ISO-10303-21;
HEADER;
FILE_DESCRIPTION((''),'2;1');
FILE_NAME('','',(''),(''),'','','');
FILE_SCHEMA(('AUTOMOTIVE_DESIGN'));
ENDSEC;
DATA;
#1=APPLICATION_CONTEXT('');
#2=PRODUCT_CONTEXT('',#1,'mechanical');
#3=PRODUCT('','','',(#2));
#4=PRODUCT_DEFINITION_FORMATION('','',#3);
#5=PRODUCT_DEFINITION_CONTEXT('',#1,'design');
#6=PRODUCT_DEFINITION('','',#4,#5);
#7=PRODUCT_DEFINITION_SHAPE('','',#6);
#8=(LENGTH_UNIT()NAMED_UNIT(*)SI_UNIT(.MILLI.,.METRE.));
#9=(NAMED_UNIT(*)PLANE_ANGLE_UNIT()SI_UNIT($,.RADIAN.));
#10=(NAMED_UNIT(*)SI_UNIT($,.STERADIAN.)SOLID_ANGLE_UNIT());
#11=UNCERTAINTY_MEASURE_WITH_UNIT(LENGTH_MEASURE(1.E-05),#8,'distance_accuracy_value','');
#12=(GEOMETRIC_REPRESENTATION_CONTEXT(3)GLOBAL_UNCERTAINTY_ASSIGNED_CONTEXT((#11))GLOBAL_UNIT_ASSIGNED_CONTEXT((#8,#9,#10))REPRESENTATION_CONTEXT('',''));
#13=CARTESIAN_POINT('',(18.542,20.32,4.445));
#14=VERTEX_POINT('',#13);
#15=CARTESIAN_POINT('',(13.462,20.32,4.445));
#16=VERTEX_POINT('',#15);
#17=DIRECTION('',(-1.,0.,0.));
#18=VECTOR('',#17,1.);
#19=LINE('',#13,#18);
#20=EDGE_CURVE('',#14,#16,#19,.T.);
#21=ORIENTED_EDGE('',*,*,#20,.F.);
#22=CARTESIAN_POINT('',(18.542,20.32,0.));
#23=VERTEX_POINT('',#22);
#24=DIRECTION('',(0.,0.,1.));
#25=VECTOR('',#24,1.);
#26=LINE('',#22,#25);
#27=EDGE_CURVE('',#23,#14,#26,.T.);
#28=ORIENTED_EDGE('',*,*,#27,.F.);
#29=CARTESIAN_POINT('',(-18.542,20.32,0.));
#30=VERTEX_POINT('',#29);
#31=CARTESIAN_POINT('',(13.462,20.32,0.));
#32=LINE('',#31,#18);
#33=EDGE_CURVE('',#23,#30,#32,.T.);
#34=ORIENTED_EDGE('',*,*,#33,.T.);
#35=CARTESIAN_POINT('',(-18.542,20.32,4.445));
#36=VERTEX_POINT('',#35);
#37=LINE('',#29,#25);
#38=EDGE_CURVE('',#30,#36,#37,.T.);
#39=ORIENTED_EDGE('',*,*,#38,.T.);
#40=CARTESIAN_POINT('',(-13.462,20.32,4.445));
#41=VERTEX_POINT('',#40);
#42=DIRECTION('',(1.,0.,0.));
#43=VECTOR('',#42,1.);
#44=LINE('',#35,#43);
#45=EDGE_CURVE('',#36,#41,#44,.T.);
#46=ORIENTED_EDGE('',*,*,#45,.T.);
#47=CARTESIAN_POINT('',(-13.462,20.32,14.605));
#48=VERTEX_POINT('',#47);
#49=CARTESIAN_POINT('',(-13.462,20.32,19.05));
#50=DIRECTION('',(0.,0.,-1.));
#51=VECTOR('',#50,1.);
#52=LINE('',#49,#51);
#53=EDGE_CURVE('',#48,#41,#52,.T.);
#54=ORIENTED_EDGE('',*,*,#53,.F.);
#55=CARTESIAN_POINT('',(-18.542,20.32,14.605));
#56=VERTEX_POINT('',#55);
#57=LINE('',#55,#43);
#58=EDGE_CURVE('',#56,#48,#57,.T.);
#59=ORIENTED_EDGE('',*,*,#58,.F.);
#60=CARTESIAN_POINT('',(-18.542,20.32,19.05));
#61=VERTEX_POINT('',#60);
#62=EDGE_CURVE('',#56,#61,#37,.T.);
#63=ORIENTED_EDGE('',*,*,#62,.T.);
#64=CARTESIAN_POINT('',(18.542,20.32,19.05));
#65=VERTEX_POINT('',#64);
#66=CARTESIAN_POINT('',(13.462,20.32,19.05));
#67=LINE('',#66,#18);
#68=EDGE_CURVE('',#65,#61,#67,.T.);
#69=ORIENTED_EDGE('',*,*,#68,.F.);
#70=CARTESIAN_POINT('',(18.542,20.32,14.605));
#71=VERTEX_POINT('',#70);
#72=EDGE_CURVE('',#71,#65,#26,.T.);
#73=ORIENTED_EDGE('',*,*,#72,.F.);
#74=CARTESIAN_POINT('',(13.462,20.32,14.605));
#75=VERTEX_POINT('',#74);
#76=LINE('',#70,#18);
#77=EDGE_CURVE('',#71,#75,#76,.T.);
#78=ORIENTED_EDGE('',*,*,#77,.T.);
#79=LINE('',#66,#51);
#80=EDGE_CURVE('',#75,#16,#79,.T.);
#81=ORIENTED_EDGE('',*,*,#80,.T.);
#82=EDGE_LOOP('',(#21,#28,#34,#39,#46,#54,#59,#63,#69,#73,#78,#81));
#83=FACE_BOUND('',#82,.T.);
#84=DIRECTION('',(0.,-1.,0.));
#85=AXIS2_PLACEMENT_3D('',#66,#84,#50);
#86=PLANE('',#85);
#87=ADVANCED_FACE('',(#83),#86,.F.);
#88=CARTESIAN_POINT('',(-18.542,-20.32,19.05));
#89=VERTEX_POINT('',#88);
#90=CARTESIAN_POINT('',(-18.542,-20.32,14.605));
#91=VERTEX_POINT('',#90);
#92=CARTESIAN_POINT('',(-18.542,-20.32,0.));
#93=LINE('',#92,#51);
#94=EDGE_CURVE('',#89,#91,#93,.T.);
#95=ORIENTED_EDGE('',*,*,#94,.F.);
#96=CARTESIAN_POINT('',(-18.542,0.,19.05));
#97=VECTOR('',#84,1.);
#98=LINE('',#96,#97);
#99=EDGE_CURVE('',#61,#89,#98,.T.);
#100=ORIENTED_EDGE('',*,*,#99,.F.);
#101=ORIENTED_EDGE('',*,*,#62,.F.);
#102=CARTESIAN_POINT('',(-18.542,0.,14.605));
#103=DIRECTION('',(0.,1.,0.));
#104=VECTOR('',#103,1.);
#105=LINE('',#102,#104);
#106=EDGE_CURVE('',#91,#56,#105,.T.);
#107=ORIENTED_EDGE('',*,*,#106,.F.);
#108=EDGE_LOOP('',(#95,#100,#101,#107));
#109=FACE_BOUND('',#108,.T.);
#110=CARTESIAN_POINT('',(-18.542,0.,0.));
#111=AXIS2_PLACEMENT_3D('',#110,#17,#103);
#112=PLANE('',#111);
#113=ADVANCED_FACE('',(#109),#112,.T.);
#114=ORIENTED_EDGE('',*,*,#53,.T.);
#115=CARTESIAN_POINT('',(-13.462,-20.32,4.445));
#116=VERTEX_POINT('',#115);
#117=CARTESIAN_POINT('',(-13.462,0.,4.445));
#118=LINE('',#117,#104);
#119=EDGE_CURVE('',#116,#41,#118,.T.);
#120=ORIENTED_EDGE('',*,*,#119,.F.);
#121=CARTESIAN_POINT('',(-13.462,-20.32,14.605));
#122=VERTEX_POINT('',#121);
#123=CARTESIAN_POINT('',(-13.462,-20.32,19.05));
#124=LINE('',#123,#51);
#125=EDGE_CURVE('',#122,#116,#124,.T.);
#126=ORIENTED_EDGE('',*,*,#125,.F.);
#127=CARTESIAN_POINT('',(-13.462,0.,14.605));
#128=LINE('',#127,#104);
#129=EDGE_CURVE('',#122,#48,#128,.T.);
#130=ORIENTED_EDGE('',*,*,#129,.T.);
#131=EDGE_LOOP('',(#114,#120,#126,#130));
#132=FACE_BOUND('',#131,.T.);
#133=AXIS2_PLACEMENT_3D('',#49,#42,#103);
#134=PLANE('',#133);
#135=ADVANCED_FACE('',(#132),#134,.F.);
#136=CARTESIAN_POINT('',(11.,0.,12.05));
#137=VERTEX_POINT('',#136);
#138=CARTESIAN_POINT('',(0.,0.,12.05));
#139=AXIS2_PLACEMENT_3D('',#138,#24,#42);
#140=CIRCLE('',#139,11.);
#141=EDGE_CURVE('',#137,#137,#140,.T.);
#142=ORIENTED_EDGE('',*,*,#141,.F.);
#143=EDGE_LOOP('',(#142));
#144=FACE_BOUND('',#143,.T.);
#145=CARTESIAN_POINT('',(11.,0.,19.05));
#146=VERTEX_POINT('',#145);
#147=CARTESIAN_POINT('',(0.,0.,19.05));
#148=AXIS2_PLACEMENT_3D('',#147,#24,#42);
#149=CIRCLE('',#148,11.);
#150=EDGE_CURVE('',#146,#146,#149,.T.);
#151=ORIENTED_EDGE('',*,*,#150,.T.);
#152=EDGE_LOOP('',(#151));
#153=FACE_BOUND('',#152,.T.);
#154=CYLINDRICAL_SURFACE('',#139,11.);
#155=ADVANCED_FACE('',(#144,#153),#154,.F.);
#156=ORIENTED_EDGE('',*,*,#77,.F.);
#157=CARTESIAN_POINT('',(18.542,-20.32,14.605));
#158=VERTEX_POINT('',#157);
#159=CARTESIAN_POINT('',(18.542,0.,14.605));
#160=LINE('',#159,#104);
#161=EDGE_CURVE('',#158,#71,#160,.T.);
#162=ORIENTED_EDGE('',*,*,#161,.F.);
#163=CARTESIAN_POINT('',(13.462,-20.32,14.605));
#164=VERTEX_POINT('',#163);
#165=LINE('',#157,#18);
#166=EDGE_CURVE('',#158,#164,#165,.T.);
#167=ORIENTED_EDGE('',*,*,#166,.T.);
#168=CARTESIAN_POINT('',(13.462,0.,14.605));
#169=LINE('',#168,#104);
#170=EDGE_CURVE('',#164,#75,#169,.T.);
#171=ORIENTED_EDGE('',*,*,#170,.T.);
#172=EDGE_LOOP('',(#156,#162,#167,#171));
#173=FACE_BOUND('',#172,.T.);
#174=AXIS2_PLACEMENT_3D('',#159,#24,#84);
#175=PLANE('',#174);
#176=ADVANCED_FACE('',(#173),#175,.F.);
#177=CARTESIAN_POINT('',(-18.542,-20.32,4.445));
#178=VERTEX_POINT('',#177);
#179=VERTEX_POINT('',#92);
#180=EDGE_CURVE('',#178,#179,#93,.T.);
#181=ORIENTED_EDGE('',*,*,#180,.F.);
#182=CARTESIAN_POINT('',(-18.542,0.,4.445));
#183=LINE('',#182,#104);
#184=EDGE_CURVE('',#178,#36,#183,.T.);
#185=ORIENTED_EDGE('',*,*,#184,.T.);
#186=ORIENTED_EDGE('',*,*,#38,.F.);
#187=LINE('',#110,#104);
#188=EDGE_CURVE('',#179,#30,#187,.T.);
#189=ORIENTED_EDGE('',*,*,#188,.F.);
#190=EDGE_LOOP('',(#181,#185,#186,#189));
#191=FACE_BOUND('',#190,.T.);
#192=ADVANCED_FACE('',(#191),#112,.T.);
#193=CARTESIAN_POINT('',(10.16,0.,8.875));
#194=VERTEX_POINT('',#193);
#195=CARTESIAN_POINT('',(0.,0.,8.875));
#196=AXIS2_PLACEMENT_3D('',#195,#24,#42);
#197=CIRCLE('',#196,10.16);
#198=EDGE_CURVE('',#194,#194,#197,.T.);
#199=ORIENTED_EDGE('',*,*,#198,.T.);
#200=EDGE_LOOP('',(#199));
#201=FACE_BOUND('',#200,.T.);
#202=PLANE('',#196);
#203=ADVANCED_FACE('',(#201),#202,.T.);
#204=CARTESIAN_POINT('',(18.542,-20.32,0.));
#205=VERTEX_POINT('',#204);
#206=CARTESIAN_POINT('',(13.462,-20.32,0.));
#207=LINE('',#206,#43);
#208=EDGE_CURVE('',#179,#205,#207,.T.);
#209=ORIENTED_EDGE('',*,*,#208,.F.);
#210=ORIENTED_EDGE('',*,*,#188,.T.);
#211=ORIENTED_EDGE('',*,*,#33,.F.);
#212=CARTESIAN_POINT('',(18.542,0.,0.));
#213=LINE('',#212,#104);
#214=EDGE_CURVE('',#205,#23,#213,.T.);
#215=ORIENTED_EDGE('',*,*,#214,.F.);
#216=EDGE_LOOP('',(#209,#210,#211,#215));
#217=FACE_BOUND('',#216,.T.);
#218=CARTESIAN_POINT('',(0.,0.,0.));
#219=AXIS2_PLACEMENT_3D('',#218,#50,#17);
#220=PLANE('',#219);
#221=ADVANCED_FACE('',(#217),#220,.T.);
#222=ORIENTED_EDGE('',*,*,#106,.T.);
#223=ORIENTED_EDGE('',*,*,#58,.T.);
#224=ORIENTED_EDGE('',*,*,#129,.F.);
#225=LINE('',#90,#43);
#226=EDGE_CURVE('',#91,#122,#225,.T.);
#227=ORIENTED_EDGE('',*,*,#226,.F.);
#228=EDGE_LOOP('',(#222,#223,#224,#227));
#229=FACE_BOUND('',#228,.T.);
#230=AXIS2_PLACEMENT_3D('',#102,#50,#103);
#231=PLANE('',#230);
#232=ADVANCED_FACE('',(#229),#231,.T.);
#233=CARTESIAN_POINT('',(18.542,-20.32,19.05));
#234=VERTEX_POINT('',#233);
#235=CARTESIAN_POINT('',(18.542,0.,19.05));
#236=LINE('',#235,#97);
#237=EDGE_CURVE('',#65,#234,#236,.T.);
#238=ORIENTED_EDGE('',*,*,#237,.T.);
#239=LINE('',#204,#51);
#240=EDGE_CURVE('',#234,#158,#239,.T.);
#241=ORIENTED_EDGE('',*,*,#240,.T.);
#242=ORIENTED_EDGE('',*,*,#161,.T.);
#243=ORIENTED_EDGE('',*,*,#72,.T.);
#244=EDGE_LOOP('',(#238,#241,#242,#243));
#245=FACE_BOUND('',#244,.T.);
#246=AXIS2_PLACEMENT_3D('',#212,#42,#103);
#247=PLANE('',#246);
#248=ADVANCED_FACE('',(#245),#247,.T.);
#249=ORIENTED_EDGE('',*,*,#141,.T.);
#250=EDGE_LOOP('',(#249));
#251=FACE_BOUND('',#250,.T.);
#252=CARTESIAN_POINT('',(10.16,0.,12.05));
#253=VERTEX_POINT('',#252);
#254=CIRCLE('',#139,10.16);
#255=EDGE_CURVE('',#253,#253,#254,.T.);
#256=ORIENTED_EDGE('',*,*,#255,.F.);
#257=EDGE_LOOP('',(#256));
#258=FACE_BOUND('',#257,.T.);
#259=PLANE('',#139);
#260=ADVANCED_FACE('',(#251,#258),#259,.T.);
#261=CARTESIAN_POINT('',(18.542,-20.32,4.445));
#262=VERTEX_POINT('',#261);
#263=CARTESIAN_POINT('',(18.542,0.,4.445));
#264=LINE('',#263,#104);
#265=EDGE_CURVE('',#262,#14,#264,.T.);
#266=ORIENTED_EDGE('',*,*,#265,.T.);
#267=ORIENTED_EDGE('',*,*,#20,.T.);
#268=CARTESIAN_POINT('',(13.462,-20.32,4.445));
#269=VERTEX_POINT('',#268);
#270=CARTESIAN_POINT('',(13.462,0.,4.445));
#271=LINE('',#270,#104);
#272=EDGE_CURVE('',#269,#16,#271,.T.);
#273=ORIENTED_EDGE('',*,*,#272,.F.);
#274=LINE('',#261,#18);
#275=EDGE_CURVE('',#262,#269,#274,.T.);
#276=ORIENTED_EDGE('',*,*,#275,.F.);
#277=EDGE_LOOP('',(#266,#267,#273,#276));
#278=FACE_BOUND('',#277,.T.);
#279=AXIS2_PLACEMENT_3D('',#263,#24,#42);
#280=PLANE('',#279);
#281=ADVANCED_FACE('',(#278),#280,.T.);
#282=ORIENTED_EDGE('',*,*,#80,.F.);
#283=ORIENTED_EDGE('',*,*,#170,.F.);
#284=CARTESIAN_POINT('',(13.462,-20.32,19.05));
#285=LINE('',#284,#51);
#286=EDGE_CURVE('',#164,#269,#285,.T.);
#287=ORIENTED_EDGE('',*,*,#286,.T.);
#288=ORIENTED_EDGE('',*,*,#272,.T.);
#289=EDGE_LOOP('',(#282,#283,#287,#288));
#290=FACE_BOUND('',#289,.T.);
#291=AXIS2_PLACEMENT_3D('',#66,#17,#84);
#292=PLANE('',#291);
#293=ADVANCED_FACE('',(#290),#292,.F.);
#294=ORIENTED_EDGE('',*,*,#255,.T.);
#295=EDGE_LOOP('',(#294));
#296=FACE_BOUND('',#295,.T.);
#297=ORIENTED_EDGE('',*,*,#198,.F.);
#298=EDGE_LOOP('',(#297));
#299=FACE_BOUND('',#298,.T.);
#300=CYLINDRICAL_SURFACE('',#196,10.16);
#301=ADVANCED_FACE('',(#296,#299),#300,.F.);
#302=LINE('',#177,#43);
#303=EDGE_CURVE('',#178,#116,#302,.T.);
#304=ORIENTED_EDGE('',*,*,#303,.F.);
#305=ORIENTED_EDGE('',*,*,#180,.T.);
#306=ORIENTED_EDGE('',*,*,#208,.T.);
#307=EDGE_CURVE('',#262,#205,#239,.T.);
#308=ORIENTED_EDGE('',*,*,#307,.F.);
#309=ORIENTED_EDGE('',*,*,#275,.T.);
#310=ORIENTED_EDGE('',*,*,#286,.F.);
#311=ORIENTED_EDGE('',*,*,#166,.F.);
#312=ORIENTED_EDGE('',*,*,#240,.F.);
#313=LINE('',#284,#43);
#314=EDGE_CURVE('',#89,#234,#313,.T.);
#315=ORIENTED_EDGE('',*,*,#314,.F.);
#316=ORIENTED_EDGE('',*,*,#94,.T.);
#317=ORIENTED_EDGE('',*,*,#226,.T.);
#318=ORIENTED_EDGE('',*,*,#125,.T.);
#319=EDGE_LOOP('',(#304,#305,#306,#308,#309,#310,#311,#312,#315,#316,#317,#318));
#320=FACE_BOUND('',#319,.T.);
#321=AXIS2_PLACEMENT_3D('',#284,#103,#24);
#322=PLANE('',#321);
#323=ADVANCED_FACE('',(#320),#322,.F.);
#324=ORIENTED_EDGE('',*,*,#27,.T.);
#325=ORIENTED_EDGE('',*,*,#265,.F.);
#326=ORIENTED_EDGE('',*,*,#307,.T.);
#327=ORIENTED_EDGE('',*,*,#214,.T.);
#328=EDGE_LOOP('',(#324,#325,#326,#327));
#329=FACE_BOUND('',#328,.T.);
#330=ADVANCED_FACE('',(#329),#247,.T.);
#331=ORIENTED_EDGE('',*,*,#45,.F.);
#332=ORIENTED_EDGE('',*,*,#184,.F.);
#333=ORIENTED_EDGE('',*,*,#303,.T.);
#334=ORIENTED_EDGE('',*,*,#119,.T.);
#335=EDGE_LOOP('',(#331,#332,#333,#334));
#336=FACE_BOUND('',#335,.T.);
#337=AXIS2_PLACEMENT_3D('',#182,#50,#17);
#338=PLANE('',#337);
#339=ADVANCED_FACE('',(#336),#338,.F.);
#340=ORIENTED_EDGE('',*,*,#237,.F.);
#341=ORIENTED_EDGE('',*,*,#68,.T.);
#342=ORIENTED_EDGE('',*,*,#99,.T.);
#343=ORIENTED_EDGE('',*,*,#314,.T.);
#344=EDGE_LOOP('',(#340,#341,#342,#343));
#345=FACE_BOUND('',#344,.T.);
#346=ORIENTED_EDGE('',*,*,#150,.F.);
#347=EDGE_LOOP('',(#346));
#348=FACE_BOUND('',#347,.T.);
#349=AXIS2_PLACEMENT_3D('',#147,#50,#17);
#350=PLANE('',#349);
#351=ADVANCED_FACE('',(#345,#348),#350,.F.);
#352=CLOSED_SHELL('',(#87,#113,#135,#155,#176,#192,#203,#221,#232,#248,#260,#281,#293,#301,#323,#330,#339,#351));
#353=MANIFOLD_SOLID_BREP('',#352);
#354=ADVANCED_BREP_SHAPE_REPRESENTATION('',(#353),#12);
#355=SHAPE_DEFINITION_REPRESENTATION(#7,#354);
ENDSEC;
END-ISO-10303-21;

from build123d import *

# Parameters (mm, degrees)
SKETCH1_W           = 26.924
SKETCH1_H           = 40.64
BOSS_EXTRUDE1_DEPTH = 19.05
SKETCH2_W           = 4.445
SKETCH2_H           = 40.64
BOSS_EXTRUDE2_DEPTH = 5.08
SKETCH3_R           = 11
CUT_EXTRUDE1_DEPTH  = 7
SKETCH4_R           = 10.16
CUT_EXTRUDE2_DEPTH  = 3.175


with BuildPart() as part:
    # Sketch1 → Boss-Extrude1 (new body)
    with BuildSketch(Plane.XY):
        Rectangle(SKETCH1_W, SKETCH1_H)
    extrude(amount=BOSS_EXTRUDE1_DEPTH)

    # Sketch2 → Boss-Extrude2 (add)
    with BuildSketch(Plane(origin=(13.462, 0, 0), x_dir=(0, 0, -1), z_dir=(1, 0, 0))):
        with Locations((-16.8275, 0)):
            Rectangle(SKETCH2_W, SKETCH2_H)
        with Locations((-2.2225, 0)):
            Rectangle(SKETCH2_W, SKETCH2_H)
    boss_extrude2 = extrude(amount=BOSS_EXTRUDE2_DEPTH)

    # Mirror1: Boss-Extrude2 across plane
    add(boss_extrude2.mirror(Plane(origin=(0, 0, 0), x_dir=(0, 0, 1), z_dir=(1, 0, 0))))

    # Sketch3 → Cut-Extrude1 (cut)
    with BuildSketch(Plane.XY.offset(19.05)):
        Circle(SKETCH3_R)
    extrude(amount=-CUT_EXTRUDE1_DEPTH, mode=Mode.SUBTRACT)

    # Sketch4 → Cut-Extrude2 (cut)
    with BuildSketch(Plane.XY.offset(12.05)):
        Circle(SKETCH4_R)
    extrude(amount=-CUT_EXTRUDE2_DEPTH, mode=Mode.SUBTRACT)


solid = part.part
